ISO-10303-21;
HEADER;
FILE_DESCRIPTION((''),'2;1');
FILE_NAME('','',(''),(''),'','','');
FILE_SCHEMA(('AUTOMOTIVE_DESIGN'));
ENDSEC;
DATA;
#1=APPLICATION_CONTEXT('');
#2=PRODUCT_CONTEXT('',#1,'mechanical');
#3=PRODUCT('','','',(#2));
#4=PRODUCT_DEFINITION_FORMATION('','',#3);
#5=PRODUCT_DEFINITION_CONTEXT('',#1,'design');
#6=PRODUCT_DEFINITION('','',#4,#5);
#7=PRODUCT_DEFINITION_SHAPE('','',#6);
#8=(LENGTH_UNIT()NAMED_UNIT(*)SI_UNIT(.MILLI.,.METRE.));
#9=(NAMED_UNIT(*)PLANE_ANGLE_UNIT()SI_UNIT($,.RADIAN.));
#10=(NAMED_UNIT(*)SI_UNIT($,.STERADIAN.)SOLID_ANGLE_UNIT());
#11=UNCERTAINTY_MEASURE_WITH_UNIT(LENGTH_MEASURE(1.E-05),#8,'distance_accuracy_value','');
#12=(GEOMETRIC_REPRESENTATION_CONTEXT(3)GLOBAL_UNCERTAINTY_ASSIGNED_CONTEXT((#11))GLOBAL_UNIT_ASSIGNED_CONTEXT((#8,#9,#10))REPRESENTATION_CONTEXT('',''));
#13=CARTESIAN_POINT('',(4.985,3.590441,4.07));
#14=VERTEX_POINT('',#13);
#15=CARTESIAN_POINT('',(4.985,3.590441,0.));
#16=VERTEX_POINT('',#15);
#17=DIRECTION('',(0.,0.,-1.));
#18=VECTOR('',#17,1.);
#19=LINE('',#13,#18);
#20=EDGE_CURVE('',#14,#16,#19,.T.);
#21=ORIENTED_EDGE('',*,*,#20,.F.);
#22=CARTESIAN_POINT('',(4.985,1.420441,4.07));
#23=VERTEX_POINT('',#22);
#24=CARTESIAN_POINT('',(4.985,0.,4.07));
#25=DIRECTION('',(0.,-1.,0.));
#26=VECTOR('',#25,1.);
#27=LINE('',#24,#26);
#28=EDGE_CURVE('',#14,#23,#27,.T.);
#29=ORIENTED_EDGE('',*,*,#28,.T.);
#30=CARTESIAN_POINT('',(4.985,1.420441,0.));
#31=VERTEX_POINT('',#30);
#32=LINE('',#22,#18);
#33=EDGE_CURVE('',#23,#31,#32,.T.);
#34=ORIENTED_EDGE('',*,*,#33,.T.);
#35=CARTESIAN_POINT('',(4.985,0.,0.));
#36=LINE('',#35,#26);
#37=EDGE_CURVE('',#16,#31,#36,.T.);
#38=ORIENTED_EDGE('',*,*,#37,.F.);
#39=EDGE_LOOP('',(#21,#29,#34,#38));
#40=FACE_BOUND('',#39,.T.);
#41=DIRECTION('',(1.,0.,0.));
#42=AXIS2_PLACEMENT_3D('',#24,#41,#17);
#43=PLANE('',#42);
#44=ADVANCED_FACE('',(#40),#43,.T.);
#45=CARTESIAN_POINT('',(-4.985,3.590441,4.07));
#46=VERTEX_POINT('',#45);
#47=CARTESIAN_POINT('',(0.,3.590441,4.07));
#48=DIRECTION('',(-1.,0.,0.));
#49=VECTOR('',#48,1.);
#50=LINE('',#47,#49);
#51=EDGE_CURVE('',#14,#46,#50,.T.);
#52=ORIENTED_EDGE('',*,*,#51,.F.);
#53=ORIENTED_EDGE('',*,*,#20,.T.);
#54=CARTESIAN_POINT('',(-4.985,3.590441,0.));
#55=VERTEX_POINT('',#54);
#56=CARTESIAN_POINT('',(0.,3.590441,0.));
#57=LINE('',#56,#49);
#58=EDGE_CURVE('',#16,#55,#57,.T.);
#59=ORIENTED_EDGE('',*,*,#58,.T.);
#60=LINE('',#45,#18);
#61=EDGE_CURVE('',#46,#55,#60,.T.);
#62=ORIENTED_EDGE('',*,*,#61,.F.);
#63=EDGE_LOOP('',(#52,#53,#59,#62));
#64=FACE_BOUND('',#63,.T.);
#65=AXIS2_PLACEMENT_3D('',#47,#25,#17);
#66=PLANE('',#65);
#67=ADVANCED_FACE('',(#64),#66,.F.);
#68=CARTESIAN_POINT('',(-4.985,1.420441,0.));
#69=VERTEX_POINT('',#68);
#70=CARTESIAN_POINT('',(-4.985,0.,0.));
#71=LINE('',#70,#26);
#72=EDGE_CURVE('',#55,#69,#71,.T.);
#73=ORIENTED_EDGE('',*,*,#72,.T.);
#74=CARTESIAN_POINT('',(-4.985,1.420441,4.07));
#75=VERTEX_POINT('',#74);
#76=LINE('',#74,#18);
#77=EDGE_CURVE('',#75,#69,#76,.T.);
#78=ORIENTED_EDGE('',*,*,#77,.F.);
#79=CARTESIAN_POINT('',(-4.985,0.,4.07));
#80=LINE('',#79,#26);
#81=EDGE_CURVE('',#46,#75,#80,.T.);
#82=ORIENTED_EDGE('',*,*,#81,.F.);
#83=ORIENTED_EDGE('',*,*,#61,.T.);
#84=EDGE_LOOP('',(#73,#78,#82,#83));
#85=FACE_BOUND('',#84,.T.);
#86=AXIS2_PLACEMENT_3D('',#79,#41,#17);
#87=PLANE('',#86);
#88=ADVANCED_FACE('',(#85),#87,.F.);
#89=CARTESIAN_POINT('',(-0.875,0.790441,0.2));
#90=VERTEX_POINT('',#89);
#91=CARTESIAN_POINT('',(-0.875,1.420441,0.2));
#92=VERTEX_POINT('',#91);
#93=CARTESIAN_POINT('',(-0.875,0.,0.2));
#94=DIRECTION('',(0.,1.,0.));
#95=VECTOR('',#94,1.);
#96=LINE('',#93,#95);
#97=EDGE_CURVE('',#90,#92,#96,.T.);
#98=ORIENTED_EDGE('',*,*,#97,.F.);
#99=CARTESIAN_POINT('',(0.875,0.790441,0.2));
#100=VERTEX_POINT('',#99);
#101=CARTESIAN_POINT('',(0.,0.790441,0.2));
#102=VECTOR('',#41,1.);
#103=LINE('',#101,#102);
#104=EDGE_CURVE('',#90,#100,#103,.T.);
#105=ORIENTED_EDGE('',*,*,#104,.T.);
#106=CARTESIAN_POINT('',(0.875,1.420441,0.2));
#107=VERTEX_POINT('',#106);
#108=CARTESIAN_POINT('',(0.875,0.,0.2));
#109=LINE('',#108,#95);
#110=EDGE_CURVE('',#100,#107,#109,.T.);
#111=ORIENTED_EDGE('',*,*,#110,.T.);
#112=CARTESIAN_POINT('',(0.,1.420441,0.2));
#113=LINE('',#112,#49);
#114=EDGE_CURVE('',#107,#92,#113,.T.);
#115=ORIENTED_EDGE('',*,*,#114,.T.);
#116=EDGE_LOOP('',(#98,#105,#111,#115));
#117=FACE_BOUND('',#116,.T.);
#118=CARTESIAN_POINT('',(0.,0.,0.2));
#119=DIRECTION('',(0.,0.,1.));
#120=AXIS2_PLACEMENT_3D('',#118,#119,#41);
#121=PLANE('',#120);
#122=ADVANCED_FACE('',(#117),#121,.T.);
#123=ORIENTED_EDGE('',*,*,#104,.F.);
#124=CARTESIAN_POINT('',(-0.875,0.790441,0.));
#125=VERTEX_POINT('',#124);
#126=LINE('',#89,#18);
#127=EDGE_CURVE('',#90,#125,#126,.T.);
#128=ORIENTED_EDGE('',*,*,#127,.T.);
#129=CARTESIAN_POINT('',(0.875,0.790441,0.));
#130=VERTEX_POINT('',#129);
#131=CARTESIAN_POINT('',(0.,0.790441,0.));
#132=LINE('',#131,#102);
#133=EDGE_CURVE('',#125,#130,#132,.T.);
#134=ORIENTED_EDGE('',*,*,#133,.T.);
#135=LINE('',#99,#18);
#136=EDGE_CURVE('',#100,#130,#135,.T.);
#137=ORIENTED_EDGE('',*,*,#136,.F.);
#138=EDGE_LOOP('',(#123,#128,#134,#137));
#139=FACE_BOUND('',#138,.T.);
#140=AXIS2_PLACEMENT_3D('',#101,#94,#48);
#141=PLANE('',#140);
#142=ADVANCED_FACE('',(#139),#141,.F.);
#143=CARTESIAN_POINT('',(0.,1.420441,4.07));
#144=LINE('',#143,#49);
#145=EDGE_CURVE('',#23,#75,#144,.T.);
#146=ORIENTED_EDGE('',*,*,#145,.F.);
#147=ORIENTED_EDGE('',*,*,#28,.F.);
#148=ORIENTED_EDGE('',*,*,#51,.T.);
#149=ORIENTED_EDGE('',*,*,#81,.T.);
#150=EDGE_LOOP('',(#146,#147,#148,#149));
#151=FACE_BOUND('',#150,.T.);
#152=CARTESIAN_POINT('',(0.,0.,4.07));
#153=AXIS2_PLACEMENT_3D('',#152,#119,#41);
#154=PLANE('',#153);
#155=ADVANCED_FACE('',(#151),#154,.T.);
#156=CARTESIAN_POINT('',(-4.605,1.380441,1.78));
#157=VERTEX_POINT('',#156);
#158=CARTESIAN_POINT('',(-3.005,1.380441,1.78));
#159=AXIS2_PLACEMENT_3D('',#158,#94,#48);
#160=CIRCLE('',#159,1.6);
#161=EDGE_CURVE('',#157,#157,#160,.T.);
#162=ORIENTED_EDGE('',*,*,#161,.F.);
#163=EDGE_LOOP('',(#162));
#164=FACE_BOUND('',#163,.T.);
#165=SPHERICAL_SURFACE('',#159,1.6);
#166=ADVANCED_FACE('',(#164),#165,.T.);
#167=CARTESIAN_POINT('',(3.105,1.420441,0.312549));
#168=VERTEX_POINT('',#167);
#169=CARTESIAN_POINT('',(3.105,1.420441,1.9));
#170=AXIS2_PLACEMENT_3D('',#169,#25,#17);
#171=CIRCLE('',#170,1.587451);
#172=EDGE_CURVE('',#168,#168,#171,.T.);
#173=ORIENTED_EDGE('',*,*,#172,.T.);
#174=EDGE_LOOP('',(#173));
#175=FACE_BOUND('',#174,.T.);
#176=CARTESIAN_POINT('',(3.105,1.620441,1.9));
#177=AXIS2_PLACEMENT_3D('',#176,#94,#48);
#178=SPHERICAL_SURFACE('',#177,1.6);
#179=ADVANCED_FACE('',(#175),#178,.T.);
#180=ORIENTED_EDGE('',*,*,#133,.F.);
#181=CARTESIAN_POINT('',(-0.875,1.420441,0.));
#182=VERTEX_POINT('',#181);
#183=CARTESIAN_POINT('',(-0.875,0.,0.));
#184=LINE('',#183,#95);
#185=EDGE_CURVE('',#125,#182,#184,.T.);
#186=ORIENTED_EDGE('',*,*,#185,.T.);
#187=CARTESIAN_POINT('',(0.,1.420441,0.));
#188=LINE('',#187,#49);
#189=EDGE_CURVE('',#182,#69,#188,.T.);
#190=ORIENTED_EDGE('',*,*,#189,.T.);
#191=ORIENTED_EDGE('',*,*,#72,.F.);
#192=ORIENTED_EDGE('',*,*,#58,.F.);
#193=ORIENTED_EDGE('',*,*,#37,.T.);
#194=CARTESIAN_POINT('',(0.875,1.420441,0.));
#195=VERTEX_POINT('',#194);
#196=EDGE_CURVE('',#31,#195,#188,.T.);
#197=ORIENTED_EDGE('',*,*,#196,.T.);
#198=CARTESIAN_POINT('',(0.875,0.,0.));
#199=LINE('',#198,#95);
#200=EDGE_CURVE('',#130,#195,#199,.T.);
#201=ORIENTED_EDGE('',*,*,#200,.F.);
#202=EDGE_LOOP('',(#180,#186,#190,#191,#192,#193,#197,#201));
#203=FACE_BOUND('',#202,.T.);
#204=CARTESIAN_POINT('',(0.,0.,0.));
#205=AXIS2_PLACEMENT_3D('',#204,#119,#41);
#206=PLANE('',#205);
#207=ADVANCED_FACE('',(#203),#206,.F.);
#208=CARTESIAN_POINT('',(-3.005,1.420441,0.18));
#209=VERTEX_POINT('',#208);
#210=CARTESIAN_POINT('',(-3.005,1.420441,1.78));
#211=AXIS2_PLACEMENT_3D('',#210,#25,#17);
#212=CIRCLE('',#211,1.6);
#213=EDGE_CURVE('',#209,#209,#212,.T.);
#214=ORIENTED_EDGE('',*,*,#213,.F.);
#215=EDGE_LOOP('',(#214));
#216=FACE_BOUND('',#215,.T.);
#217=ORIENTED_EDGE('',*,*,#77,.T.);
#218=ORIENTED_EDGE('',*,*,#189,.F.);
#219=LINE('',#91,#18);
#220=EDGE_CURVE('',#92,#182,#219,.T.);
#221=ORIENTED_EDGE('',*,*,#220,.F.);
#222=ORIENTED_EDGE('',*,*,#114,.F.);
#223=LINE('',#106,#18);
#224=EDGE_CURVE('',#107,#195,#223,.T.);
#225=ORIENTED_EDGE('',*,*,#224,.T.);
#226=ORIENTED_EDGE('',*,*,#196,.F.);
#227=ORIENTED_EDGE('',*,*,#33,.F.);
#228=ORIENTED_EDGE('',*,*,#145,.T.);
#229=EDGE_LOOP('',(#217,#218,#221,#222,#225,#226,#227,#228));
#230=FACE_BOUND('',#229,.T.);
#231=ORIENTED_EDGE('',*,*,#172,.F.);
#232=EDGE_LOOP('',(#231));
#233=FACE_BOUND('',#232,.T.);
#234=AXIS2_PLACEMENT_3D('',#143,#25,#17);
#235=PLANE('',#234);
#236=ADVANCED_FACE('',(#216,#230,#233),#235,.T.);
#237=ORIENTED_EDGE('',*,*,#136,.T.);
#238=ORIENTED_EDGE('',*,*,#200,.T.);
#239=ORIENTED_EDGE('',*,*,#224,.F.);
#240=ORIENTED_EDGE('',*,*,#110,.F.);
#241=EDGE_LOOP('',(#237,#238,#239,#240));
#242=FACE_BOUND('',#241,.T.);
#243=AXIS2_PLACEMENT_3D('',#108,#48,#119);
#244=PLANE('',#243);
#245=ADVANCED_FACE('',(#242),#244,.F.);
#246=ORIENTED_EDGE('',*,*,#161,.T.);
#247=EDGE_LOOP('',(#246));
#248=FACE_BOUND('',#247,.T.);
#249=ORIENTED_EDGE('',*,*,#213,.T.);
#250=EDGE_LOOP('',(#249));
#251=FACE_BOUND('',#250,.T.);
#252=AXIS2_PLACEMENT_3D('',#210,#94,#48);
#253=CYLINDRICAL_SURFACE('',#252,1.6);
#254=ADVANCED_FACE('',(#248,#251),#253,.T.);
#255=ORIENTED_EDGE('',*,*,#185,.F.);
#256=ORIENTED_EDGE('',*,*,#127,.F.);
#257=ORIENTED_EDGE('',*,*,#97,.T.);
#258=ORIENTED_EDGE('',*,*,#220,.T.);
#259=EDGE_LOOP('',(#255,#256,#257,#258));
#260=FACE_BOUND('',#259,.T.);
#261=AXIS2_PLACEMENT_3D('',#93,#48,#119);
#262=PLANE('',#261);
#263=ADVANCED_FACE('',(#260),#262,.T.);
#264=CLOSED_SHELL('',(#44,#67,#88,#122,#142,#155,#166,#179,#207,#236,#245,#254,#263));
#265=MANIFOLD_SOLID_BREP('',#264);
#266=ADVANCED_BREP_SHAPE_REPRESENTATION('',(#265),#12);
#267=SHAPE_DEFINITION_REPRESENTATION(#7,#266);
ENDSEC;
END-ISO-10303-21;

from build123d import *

# Parameters (mm, degrees)
BOSS_EXTRUDE1_DEPTH = 4.07
SKETCH1_3_W         = 1.75
SKETCH1_3_H         = 0.63
BOSS_EXTRUDE2_DEPTH = 0.2


with BuildPart() as part:
    # Sketch1 → Boss-Extrude1 (new body)
    with BuildSketch(Plane.XY):
        Polygon((4.985, 1.420440613), (4.985, 3.590440613), (-4.985, 3.590440613), (-4.985, 1.420440613), (-0.875, 1.420440613), (0.875, 1.420440613), align=None)
    extrude(amount=BOSS_EXTRUDE1_DEPTH)

    # Sketch1<3> → Boss-Extrude2 (add)
    with BuildSketch(Plane.XY):
        with Locations((0, 1.105440613)):
            Rectangle(SKETCH1_3_W, SKETCH1_3_H)
    extrude(amount=BOSS_EXTRUDE2_DEPTH)

    # Sketch2 → Revolve1 (revolve)
    with BuildSketch(Plane.XY.offset(1.78)):
        with BuildLine():
            Line((-3.005, 1.420440613), (-4.605, 1.420440613))
            Line((-4.605, 1.420440613), (-4.605, 1.380440613))
            ThreePointArc((-4.605, 1.380440613), (-4.13637085, 0.249069763), (-3.005, -0.219559387))
            Line((-3.005, -0.219559387), (-3.005, 1.420440613))
        make_face()
    revolve(axis=Axis((-3.005, 1.420440613, 1.78), (0, -1, 0)))

    # Sketch3 → Revolve2 (revolve)
    with BuildSketch(Plane.XY.offset(1.9)):
        with BuildLine():
            Line((3.105, 1.620440613), (1.505, 1.620440613))
            ThreePointArc((1.505, 1.620440613), (1.97362915, 0.489069763), (3.105, 0.020440613))
            Line((3.105, 0.020440613), (3.105, 1.620440613))
        make_face()
    revolve(axis=Axis((3.105, 1.620440613, 1.9), (0, -1, 0)))


solid = part.part
